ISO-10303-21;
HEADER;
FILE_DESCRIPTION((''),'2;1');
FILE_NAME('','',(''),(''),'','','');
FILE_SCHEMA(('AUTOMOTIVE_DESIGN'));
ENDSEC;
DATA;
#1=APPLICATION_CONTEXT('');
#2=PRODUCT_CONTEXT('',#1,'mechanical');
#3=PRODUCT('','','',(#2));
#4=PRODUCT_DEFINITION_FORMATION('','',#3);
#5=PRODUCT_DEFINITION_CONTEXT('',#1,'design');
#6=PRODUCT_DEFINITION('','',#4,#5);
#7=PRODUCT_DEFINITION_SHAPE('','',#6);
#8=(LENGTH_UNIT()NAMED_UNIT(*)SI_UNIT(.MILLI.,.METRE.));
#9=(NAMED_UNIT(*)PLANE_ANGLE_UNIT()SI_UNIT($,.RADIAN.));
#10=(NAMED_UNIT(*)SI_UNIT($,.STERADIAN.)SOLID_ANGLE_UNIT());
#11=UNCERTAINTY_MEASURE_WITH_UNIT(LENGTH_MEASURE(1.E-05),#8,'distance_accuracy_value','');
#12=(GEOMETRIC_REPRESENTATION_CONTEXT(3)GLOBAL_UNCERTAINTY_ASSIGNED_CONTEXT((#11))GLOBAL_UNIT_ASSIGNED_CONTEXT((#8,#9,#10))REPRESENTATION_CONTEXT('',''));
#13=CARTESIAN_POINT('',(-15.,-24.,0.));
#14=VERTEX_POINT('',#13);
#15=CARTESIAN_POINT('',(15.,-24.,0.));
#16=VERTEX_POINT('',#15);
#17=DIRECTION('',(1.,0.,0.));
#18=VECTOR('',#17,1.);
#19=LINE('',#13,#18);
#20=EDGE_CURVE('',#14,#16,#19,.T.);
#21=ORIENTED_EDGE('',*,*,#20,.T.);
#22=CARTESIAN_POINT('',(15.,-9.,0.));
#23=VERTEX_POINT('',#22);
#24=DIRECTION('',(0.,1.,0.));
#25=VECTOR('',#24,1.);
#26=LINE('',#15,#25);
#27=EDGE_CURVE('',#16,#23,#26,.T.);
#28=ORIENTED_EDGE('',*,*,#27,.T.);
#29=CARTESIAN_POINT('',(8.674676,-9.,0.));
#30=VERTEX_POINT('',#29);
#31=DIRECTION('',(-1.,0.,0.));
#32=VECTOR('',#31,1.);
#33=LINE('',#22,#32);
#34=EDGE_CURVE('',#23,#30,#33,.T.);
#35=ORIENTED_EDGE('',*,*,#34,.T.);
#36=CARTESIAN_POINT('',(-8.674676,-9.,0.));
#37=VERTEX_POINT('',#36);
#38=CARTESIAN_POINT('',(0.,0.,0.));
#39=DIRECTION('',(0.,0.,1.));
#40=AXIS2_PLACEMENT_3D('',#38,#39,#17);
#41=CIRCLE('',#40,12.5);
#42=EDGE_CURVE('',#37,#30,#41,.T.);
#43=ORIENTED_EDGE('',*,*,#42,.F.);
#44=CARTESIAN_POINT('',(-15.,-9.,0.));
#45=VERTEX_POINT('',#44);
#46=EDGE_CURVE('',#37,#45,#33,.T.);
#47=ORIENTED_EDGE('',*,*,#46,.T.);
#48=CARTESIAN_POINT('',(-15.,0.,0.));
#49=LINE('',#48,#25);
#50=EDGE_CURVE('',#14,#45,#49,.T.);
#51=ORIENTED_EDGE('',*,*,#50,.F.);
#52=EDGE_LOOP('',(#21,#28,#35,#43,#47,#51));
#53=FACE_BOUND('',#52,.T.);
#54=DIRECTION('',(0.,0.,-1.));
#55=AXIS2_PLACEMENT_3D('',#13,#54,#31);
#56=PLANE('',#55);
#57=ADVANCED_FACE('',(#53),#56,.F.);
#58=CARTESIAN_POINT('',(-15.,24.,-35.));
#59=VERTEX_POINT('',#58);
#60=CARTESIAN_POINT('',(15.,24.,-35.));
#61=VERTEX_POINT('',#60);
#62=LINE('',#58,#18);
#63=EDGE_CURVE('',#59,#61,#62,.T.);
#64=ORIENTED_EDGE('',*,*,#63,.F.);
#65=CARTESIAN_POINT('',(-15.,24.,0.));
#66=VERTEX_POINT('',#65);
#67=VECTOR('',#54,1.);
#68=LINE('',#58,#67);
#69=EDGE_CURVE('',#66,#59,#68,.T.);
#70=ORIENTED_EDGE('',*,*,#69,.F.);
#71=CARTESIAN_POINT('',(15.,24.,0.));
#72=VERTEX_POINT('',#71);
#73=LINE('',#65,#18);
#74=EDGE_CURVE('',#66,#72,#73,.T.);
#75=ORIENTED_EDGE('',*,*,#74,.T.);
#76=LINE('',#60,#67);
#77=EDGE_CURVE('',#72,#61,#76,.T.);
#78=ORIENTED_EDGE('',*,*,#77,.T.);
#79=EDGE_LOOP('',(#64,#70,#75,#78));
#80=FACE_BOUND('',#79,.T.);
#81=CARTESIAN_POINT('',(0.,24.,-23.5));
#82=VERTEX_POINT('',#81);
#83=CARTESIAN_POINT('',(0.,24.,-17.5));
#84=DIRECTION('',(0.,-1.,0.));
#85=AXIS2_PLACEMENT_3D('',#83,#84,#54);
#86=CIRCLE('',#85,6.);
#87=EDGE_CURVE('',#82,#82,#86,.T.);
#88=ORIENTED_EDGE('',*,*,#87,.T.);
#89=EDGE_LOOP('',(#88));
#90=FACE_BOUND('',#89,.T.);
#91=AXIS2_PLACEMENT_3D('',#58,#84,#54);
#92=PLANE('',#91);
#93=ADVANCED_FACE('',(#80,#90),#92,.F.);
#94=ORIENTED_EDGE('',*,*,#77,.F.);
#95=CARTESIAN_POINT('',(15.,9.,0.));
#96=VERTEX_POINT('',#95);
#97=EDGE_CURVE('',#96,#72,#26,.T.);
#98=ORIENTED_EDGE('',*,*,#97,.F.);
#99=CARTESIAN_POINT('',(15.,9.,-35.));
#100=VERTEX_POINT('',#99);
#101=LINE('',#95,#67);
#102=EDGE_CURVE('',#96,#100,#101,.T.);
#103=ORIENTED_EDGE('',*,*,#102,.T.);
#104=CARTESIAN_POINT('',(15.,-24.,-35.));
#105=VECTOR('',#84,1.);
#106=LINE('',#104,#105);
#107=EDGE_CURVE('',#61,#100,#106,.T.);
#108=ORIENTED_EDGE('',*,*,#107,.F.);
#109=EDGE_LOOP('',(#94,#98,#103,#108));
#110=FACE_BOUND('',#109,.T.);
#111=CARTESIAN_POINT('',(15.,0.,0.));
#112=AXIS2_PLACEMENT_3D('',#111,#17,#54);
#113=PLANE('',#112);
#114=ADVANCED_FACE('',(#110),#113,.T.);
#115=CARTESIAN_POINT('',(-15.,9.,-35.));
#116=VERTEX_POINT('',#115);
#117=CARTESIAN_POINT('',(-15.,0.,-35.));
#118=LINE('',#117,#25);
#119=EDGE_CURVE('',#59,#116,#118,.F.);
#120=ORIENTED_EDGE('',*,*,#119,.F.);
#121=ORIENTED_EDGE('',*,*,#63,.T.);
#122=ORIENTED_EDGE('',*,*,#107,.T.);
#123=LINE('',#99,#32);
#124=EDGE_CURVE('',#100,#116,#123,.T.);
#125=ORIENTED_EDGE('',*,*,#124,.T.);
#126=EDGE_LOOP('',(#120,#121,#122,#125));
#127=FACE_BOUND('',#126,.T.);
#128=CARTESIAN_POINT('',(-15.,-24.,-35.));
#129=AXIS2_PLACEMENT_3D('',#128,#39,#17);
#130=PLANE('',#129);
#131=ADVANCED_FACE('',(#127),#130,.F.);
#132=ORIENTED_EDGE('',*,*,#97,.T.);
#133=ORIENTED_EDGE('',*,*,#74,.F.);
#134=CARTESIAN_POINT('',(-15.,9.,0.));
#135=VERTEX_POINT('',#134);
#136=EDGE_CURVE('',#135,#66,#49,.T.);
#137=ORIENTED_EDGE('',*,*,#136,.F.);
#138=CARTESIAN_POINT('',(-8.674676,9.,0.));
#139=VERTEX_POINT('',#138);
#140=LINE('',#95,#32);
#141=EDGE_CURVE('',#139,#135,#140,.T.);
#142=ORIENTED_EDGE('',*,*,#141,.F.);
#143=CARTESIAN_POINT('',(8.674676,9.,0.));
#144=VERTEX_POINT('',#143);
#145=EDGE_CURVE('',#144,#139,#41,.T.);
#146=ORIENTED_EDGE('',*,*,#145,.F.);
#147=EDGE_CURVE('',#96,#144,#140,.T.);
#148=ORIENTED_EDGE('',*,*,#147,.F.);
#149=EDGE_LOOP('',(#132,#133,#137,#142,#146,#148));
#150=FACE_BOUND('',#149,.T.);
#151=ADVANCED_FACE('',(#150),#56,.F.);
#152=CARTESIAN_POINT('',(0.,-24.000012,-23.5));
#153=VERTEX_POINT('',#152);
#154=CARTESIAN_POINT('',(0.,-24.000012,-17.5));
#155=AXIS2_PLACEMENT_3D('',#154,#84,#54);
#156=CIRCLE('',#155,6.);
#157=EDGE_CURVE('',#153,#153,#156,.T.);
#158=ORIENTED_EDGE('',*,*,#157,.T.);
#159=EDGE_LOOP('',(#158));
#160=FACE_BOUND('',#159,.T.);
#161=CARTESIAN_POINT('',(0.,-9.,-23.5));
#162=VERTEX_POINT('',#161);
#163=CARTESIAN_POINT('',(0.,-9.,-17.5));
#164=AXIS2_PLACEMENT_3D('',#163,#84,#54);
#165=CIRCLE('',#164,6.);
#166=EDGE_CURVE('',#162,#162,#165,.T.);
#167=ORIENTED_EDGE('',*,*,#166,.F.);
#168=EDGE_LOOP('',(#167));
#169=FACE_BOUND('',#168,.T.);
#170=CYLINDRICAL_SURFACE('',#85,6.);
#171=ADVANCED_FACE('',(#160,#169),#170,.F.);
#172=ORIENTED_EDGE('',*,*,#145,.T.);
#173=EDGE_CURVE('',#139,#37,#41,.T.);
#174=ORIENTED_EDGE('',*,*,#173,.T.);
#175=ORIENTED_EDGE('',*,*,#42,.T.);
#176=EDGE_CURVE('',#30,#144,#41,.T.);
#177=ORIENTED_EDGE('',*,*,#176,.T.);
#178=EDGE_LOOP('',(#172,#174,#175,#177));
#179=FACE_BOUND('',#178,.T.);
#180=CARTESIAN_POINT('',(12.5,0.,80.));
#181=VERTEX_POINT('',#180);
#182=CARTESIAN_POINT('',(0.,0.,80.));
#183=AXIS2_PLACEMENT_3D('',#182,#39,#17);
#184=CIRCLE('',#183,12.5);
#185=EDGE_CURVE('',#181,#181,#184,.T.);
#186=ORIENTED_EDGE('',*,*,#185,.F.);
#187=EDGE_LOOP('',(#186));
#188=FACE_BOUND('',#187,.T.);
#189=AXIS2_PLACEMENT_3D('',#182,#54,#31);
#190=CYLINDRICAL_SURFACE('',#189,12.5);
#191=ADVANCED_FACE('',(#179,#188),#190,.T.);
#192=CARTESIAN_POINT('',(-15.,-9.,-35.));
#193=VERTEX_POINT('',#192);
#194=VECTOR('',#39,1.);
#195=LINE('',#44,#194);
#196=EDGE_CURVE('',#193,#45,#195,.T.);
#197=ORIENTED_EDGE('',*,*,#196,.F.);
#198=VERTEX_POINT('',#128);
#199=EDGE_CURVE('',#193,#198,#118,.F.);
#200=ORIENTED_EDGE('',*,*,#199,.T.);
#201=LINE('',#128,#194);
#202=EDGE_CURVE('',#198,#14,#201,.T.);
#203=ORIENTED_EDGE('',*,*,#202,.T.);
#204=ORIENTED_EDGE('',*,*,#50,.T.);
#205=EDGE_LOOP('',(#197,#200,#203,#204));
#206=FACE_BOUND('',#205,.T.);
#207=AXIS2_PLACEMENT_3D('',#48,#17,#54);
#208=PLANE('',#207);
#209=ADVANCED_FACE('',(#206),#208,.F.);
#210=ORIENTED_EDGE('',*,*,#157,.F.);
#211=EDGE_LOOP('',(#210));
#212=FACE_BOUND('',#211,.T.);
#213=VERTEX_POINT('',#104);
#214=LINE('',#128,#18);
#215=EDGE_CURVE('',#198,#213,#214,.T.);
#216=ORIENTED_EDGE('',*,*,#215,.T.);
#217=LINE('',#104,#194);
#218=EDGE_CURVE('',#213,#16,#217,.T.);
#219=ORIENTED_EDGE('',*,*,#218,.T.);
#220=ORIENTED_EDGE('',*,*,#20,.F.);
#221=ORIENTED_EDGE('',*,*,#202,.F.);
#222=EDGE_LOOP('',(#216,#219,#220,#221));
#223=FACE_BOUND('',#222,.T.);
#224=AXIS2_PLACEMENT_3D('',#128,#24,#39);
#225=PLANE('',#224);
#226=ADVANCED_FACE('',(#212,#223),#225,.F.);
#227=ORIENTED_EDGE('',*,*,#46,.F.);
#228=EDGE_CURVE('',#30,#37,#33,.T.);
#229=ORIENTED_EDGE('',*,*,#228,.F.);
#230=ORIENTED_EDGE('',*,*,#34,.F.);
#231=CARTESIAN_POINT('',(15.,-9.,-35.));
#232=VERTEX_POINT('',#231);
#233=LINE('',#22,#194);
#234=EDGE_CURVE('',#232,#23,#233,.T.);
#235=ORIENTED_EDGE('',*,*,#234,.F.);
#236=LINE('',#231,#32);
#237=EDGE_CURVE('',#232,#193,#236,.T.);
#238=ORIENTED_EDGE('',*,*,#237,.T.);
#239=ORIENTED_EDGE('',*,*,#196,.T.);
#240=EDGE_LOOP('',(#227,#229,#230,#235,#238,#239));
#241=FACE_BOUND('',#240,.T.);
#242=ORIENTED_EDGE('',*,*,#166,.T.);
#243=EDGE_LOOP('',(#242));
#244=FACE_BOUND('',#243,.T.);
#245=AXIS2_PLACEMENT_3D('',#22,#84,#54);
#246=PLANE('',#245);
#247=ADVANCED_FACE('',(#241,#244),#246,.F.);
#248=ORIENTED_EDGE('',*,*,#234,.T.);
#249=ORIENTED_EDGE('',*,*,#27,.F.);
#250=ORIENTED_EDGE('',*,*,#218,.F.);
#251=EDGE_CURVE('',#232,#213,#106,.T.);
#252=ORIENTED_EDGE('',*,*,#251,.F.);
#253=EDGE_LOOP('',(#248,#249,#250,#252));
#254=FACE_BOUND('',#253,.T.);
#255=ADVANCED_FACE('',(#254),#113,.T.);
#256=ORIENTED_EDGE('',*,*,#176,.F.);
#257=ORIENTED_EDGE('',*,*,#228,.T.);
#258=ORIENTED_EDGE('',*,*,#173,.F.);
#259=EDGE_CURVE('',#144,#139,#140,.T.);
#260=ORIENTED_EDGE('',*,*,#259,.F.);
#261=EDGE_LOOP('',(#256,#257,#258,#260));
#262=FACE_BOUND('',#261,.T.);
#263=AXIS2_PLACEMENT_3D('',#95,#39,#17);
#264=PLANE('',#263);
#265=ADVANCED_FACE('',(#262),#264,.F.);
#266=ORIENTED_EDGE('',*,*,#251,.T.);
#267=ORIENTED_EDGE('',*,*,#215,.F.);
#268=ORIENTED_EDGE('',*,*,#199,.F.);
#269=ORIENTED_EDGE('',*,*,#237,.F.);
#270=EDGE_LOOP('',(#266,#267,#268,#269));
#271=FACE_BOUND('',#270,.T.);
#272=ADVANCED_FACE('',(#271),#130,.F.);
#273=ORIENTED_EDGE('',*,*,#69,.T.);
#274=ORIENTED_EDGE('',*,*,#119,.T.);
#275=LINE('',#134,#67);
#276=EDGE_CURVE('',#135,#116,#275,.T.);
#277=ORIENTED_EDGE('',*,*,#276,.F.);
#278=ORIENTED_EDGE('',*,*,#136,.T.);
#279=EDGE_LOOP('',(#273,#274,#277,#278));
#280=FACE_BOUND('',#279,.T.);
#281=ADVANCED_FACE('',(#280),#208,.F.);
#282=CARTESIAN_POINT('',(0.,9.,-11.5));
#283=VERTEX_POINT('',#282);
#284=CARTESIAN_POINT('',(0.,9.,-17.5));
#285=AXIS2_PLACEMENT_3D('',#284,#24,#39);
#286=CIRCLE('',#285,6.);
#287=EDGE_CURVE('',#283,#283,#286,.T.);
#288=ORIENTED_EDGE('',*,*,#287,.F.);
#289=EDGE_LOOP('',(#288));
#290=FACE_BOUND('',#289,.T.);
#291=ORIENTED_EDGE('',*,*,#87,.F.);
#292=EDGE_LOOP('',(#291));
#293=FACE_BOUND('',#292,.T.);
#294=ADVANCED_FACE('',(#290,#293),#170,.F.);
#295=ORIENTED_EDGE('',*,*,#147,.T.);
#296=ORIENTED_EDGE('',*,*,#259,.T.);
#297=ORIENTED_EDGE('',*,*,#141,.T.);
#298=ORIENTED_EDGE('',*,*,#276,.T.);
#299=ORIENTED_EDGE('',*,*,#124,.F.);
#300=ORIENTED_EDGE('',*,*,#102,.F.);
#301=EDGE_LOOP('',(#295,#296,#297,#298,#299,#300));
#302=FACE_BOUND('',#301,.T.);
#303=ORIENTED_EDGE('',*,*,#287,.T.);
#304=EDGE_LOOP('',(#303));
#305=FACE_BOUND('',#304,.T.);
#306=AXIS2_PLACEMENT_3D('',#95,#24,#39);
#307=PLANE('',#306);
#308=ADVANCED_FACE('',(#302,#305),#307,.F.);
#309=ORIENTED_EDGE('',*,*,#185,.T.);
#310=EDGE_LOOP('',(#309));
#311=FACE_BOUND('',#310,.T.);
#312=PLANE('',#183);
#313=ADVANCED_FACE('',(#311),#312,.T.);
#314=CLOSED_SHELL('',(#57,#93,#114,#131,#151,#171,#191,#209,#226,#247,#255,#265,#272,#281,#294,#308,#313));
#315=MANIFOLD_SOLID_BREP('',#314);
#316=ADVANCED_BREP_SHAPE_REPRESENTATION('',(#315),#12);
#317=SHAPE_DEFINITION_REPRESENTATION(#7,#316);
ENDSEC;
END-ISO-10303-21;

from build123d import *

# Parameters (mm, degrees)
ESQUISSE1_R                  = 12.5
BOSS_EXTRU_1_DEPTH           = 80
BOSS_EXTRU_2_DEPTH           = 2.5
BOSS_EXTRU_2_DEPTH_BACK      = 27.5
ESQUISSE2_W                  = 35
ESQUISSE2_H                  = 48
ENL_V_MAT_EXTRU_1_DEPTH      = 89.746830929
ENL_V_MAT_EXTRU_1_DEPTH_BACK = 89.746830929
ESQUISSE3_W                  = 35
ESQUISSE3_H                  = 18
ENL_V_MAT_EXTRU_2_DEPTH      = 95.493386012
ENL_V_MAT_EXTRU_2_DEPTH_BACK = 95.493386012
ESQUISSE4_R                  = 6


with BuildPart() as part:
    # Esquisse1 → Boss.-Extru.1 (new body)
    with BuildSketch(Plane.XY):
        Circle(ESQUISSE1_R)
    extrude(amount=BOSS_EXTRU_1_DEPTH)

    # Esquisse2 → Boss.-Extru.2 (add, two sides: drawn at the far end of the back side and taken through both)
    with BuildSketch(Plane.ZY.offset(12.5).offset(-BOSS_EXTRU_2_DEPTH_BACK)):
        with Locations((-17.5, 0)):
            Rectangle(ESQUISSE2_W, ESQUISSE2_H)
    extrude(amount=BOSS_EXTRU_2_DEPTH + BOSS_EXTRU_2_DEPTH_BACK)

    # Esquisse3 → Enlèv. mat.-Extru.1 (cut, two sides: drawn at the far end of the back side and taken through both)
    with BuildSketch(Plane.ZY.offset(15).offset(-ENL_V_MAT_EXTRU_1_DEPTH_BACK)):
        with Locations((-17.5, 0)):
            Rectangle(ESQUISSE3_W, ESQUISSE3_H)
    extrude(amount=ENL_V_MAT_EXTRU_1_DEPTH + ENL_V_MAT_EXTRU_1_DEPTH_BACK, mode=Mode.SUBTRACT)

    # Esquisse4 → Enlèv. mat.-Extru.2 (cut, two sides: drawn at the far end of the back side and taken through both)
    with BuildSketch(Plane.XZ.offset(24).offset(-ENL_V_MAT_EXTRU_2_DEPTH_BACK)):
        with Locations((0, -17.5)):
            Circle(ESQUISSE4_R)
    extrude(amount=ENL_V_MAT_EXTRU_2_DEPTH + ENL_V_MAT_EXTRU_2_DEPTH_BACK, mode=Mode.SUBTRACT)


solid = part.part
